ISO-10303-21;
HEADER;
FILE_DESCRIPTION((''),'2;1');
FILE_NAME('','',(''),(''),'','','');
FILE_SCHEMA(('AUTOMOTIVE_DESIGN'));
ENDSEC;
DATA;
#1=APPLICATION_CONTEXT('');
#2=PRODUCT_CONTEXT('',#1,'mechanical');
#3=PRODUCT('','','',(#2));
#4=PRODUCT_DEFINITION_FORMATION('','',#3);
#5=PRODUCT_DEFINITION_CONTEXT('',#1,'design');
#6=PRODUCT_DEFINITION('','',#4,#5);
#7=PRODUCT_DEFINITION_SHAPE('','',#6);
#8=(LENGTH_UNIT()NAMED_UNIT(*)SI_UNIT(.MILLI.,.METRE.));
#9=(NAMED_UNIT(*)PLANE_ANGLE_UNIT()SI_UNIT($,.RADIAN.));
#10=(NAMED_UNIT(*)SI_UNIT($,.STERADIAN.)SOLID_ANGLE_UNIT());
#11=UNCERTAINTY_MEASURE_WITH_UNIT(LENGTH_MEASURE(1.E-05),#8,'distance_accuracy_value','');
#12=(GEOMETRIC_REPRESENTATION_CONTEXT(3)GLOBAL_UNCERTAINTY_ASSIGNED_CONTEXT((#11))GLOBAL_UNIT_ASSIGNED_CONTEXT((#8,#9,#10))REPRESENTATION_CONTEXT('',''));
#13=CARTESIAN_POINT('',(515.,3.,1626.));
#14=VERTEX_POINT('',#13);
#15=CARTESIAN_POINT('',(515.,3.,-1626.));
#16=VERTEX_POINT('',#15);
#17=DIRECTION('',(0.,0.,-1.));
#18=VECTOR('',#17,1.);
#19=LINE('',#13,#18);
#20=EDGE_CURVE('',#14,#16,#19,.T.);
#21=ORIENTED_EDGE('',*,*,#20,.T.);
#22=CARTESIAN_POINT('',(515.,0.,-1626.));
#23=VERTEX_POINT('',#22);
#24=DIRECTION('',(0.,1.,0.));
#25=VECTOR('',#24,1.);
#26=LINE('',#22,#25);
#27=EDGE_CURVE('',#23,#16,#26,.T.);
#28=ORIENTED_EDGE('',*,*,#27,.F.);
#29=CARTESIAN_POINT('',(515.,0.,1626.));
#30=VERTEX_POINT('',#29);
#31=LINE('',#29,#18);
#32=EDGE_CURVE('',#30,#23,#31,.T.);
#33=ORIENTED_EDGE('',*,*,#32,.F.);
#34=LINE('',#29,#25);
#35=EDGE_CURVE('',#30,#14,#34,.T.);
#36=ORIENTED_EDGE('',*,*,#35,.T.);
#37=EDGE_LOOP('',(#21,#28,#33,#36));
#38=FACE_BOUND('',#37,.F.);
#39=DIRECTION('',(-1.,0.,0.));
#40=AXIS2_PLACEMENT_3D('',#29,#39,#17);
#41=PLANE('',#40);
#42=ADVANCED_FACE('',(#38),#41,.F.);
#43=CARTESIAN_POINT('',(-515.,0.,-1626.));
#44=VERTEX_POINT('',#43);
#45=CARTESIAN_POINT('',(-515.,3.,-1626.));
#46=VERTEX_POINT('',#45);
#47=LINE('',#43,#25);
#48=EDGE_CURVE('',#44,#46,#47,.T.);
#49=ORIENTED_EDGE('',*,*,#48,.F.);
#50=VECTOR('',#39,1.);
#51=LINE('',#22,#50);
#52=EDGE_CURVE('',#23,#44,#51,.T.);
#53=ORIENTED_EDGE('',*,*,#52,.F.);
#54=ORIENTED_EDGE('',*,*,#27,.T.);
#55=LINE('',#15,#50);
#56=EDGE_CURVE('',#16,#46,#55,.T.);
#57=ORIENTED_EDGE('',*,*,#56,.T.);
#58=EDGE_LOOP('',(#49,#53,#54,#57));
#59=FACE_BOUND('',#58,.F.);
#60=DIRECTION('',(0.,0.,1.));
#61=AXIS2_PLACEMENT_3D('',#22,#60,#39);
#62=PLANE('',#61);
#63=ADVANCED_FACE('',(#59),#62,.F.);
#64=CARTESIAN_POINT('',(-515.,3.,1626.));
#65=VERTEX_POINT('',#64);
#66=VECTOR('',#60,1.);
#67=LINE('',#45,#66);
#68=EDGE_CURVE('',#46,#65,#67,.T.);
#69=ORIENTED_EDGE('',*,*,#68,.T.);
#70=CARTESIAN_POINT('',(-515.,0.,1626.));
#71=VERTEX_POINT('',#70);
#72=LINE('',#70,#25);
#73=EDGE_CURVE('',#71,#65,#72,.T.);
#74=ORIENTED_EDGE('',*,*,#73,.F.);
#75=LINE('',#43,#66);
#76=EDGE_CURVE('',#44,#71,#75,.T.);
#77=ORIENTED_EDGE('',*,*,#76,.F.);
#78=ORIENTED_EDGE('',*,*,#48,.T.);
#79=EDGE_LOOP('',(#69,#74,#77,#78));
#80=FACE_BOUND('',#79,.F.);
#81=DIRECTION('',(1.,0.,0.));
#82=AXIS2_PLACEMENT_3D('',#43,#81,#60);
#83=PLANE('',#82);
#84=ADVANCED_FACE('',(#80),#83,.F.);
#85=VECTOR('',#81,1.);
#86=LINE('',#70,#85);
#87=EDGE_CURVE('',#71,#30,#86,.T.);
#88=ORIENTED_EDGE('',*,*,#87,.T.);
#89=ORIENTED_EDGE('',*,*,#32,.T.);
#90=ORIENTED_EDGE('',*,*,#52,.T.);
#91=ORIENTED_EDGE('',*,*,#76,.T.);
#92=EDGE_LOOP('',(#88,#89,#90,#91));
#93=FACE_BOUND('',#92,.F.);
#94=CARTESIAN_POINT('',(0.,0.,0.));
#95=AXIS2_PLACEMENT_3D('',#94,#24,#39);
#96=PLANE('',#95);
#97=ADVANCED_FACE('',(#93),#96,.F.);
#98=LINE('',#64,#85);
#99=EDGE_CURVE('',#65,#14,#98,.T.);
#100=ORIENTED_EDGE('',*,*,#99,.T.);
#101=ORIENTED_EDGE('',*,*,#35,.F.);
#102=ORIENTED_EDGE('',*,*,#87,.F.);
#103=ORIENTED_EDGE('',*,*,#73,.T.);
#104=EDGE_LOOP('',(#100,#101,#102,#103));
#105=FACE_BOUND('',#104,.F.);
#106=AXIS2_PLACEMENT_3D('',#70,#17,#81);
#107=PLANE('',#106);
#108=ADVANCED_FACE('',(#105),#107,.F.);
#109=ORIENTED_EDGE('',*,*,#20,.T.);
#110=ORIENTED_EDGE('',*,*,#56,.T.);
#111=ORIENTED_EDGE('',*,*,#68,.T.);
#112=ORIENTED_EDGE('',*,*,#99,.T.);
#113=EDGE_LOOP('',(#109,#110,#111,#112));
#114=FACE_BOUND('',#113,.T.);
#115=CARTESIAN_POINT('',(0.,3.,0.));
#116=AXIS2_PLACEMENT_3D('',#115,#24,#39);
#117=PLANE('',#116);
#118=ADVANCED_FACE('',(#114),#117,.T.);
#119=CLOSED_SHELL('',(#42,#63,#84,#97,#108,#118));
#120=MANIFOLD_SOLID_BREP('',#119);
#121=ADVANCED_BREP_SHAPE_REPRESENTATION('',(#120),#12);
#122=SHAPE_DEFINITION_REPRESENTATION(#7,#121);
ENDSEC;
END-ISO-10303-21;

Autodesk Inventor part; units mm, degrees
ref_plane "YZ Plane" through (0, 0, 0) normal (1, 0, 0) x (0, 1, 0)
ref_plane "XZ Plane" through (0, 0, 0) normal (0, 1, 0) x (-1, 0, 0)
ref_plane "XY Plane" through (0, 0, 0) normal (0, 0, 1) x (1, 0, 0)
sketch "Sketch1" plane through (0, 0, 0) normal (0, 1, 0) x (-1, 0, 0)
  line L0 (515, 1626) -> (-515, 1626)
  line L1 (-515, 1626) -> (-515, -1626)
  line L2 (-515, -1626) -> (515, -1626)
  line L3 (515, -1626) -> (515, 1626)
  line L4 (515, 1626) -> (-515, -1626) construction
  line L5 (-515, 1626) -> (515, -1626) construction
  point P0 (0, 0)
  dimension "d0" = 3252
  dimension "d1" = 1030
extrude "Plate1" add sketch "Sketch1" along normal blind 3
equation "\"d2\" = Thickness"
equation "\"BendRadius\" = Thickness"
equation "\"BendReliefWidth\" = Thickness"
equation "\"BendReliefDepth\" = 0.5 * Thickness"
equation "\"CornerReliefSize\" = 4 * Thickness"
equation "\"MinimumRemnant\" = 2 * Thickness"
equation "\"TransitionRadius\" = BendRadius"
equation "\"JacobiRadiusSize\" = BendRadius"
equation "\"GapSize\" = Thickness"
equation "\"Thickness\" = 3"
properties part number "Base sheet"
